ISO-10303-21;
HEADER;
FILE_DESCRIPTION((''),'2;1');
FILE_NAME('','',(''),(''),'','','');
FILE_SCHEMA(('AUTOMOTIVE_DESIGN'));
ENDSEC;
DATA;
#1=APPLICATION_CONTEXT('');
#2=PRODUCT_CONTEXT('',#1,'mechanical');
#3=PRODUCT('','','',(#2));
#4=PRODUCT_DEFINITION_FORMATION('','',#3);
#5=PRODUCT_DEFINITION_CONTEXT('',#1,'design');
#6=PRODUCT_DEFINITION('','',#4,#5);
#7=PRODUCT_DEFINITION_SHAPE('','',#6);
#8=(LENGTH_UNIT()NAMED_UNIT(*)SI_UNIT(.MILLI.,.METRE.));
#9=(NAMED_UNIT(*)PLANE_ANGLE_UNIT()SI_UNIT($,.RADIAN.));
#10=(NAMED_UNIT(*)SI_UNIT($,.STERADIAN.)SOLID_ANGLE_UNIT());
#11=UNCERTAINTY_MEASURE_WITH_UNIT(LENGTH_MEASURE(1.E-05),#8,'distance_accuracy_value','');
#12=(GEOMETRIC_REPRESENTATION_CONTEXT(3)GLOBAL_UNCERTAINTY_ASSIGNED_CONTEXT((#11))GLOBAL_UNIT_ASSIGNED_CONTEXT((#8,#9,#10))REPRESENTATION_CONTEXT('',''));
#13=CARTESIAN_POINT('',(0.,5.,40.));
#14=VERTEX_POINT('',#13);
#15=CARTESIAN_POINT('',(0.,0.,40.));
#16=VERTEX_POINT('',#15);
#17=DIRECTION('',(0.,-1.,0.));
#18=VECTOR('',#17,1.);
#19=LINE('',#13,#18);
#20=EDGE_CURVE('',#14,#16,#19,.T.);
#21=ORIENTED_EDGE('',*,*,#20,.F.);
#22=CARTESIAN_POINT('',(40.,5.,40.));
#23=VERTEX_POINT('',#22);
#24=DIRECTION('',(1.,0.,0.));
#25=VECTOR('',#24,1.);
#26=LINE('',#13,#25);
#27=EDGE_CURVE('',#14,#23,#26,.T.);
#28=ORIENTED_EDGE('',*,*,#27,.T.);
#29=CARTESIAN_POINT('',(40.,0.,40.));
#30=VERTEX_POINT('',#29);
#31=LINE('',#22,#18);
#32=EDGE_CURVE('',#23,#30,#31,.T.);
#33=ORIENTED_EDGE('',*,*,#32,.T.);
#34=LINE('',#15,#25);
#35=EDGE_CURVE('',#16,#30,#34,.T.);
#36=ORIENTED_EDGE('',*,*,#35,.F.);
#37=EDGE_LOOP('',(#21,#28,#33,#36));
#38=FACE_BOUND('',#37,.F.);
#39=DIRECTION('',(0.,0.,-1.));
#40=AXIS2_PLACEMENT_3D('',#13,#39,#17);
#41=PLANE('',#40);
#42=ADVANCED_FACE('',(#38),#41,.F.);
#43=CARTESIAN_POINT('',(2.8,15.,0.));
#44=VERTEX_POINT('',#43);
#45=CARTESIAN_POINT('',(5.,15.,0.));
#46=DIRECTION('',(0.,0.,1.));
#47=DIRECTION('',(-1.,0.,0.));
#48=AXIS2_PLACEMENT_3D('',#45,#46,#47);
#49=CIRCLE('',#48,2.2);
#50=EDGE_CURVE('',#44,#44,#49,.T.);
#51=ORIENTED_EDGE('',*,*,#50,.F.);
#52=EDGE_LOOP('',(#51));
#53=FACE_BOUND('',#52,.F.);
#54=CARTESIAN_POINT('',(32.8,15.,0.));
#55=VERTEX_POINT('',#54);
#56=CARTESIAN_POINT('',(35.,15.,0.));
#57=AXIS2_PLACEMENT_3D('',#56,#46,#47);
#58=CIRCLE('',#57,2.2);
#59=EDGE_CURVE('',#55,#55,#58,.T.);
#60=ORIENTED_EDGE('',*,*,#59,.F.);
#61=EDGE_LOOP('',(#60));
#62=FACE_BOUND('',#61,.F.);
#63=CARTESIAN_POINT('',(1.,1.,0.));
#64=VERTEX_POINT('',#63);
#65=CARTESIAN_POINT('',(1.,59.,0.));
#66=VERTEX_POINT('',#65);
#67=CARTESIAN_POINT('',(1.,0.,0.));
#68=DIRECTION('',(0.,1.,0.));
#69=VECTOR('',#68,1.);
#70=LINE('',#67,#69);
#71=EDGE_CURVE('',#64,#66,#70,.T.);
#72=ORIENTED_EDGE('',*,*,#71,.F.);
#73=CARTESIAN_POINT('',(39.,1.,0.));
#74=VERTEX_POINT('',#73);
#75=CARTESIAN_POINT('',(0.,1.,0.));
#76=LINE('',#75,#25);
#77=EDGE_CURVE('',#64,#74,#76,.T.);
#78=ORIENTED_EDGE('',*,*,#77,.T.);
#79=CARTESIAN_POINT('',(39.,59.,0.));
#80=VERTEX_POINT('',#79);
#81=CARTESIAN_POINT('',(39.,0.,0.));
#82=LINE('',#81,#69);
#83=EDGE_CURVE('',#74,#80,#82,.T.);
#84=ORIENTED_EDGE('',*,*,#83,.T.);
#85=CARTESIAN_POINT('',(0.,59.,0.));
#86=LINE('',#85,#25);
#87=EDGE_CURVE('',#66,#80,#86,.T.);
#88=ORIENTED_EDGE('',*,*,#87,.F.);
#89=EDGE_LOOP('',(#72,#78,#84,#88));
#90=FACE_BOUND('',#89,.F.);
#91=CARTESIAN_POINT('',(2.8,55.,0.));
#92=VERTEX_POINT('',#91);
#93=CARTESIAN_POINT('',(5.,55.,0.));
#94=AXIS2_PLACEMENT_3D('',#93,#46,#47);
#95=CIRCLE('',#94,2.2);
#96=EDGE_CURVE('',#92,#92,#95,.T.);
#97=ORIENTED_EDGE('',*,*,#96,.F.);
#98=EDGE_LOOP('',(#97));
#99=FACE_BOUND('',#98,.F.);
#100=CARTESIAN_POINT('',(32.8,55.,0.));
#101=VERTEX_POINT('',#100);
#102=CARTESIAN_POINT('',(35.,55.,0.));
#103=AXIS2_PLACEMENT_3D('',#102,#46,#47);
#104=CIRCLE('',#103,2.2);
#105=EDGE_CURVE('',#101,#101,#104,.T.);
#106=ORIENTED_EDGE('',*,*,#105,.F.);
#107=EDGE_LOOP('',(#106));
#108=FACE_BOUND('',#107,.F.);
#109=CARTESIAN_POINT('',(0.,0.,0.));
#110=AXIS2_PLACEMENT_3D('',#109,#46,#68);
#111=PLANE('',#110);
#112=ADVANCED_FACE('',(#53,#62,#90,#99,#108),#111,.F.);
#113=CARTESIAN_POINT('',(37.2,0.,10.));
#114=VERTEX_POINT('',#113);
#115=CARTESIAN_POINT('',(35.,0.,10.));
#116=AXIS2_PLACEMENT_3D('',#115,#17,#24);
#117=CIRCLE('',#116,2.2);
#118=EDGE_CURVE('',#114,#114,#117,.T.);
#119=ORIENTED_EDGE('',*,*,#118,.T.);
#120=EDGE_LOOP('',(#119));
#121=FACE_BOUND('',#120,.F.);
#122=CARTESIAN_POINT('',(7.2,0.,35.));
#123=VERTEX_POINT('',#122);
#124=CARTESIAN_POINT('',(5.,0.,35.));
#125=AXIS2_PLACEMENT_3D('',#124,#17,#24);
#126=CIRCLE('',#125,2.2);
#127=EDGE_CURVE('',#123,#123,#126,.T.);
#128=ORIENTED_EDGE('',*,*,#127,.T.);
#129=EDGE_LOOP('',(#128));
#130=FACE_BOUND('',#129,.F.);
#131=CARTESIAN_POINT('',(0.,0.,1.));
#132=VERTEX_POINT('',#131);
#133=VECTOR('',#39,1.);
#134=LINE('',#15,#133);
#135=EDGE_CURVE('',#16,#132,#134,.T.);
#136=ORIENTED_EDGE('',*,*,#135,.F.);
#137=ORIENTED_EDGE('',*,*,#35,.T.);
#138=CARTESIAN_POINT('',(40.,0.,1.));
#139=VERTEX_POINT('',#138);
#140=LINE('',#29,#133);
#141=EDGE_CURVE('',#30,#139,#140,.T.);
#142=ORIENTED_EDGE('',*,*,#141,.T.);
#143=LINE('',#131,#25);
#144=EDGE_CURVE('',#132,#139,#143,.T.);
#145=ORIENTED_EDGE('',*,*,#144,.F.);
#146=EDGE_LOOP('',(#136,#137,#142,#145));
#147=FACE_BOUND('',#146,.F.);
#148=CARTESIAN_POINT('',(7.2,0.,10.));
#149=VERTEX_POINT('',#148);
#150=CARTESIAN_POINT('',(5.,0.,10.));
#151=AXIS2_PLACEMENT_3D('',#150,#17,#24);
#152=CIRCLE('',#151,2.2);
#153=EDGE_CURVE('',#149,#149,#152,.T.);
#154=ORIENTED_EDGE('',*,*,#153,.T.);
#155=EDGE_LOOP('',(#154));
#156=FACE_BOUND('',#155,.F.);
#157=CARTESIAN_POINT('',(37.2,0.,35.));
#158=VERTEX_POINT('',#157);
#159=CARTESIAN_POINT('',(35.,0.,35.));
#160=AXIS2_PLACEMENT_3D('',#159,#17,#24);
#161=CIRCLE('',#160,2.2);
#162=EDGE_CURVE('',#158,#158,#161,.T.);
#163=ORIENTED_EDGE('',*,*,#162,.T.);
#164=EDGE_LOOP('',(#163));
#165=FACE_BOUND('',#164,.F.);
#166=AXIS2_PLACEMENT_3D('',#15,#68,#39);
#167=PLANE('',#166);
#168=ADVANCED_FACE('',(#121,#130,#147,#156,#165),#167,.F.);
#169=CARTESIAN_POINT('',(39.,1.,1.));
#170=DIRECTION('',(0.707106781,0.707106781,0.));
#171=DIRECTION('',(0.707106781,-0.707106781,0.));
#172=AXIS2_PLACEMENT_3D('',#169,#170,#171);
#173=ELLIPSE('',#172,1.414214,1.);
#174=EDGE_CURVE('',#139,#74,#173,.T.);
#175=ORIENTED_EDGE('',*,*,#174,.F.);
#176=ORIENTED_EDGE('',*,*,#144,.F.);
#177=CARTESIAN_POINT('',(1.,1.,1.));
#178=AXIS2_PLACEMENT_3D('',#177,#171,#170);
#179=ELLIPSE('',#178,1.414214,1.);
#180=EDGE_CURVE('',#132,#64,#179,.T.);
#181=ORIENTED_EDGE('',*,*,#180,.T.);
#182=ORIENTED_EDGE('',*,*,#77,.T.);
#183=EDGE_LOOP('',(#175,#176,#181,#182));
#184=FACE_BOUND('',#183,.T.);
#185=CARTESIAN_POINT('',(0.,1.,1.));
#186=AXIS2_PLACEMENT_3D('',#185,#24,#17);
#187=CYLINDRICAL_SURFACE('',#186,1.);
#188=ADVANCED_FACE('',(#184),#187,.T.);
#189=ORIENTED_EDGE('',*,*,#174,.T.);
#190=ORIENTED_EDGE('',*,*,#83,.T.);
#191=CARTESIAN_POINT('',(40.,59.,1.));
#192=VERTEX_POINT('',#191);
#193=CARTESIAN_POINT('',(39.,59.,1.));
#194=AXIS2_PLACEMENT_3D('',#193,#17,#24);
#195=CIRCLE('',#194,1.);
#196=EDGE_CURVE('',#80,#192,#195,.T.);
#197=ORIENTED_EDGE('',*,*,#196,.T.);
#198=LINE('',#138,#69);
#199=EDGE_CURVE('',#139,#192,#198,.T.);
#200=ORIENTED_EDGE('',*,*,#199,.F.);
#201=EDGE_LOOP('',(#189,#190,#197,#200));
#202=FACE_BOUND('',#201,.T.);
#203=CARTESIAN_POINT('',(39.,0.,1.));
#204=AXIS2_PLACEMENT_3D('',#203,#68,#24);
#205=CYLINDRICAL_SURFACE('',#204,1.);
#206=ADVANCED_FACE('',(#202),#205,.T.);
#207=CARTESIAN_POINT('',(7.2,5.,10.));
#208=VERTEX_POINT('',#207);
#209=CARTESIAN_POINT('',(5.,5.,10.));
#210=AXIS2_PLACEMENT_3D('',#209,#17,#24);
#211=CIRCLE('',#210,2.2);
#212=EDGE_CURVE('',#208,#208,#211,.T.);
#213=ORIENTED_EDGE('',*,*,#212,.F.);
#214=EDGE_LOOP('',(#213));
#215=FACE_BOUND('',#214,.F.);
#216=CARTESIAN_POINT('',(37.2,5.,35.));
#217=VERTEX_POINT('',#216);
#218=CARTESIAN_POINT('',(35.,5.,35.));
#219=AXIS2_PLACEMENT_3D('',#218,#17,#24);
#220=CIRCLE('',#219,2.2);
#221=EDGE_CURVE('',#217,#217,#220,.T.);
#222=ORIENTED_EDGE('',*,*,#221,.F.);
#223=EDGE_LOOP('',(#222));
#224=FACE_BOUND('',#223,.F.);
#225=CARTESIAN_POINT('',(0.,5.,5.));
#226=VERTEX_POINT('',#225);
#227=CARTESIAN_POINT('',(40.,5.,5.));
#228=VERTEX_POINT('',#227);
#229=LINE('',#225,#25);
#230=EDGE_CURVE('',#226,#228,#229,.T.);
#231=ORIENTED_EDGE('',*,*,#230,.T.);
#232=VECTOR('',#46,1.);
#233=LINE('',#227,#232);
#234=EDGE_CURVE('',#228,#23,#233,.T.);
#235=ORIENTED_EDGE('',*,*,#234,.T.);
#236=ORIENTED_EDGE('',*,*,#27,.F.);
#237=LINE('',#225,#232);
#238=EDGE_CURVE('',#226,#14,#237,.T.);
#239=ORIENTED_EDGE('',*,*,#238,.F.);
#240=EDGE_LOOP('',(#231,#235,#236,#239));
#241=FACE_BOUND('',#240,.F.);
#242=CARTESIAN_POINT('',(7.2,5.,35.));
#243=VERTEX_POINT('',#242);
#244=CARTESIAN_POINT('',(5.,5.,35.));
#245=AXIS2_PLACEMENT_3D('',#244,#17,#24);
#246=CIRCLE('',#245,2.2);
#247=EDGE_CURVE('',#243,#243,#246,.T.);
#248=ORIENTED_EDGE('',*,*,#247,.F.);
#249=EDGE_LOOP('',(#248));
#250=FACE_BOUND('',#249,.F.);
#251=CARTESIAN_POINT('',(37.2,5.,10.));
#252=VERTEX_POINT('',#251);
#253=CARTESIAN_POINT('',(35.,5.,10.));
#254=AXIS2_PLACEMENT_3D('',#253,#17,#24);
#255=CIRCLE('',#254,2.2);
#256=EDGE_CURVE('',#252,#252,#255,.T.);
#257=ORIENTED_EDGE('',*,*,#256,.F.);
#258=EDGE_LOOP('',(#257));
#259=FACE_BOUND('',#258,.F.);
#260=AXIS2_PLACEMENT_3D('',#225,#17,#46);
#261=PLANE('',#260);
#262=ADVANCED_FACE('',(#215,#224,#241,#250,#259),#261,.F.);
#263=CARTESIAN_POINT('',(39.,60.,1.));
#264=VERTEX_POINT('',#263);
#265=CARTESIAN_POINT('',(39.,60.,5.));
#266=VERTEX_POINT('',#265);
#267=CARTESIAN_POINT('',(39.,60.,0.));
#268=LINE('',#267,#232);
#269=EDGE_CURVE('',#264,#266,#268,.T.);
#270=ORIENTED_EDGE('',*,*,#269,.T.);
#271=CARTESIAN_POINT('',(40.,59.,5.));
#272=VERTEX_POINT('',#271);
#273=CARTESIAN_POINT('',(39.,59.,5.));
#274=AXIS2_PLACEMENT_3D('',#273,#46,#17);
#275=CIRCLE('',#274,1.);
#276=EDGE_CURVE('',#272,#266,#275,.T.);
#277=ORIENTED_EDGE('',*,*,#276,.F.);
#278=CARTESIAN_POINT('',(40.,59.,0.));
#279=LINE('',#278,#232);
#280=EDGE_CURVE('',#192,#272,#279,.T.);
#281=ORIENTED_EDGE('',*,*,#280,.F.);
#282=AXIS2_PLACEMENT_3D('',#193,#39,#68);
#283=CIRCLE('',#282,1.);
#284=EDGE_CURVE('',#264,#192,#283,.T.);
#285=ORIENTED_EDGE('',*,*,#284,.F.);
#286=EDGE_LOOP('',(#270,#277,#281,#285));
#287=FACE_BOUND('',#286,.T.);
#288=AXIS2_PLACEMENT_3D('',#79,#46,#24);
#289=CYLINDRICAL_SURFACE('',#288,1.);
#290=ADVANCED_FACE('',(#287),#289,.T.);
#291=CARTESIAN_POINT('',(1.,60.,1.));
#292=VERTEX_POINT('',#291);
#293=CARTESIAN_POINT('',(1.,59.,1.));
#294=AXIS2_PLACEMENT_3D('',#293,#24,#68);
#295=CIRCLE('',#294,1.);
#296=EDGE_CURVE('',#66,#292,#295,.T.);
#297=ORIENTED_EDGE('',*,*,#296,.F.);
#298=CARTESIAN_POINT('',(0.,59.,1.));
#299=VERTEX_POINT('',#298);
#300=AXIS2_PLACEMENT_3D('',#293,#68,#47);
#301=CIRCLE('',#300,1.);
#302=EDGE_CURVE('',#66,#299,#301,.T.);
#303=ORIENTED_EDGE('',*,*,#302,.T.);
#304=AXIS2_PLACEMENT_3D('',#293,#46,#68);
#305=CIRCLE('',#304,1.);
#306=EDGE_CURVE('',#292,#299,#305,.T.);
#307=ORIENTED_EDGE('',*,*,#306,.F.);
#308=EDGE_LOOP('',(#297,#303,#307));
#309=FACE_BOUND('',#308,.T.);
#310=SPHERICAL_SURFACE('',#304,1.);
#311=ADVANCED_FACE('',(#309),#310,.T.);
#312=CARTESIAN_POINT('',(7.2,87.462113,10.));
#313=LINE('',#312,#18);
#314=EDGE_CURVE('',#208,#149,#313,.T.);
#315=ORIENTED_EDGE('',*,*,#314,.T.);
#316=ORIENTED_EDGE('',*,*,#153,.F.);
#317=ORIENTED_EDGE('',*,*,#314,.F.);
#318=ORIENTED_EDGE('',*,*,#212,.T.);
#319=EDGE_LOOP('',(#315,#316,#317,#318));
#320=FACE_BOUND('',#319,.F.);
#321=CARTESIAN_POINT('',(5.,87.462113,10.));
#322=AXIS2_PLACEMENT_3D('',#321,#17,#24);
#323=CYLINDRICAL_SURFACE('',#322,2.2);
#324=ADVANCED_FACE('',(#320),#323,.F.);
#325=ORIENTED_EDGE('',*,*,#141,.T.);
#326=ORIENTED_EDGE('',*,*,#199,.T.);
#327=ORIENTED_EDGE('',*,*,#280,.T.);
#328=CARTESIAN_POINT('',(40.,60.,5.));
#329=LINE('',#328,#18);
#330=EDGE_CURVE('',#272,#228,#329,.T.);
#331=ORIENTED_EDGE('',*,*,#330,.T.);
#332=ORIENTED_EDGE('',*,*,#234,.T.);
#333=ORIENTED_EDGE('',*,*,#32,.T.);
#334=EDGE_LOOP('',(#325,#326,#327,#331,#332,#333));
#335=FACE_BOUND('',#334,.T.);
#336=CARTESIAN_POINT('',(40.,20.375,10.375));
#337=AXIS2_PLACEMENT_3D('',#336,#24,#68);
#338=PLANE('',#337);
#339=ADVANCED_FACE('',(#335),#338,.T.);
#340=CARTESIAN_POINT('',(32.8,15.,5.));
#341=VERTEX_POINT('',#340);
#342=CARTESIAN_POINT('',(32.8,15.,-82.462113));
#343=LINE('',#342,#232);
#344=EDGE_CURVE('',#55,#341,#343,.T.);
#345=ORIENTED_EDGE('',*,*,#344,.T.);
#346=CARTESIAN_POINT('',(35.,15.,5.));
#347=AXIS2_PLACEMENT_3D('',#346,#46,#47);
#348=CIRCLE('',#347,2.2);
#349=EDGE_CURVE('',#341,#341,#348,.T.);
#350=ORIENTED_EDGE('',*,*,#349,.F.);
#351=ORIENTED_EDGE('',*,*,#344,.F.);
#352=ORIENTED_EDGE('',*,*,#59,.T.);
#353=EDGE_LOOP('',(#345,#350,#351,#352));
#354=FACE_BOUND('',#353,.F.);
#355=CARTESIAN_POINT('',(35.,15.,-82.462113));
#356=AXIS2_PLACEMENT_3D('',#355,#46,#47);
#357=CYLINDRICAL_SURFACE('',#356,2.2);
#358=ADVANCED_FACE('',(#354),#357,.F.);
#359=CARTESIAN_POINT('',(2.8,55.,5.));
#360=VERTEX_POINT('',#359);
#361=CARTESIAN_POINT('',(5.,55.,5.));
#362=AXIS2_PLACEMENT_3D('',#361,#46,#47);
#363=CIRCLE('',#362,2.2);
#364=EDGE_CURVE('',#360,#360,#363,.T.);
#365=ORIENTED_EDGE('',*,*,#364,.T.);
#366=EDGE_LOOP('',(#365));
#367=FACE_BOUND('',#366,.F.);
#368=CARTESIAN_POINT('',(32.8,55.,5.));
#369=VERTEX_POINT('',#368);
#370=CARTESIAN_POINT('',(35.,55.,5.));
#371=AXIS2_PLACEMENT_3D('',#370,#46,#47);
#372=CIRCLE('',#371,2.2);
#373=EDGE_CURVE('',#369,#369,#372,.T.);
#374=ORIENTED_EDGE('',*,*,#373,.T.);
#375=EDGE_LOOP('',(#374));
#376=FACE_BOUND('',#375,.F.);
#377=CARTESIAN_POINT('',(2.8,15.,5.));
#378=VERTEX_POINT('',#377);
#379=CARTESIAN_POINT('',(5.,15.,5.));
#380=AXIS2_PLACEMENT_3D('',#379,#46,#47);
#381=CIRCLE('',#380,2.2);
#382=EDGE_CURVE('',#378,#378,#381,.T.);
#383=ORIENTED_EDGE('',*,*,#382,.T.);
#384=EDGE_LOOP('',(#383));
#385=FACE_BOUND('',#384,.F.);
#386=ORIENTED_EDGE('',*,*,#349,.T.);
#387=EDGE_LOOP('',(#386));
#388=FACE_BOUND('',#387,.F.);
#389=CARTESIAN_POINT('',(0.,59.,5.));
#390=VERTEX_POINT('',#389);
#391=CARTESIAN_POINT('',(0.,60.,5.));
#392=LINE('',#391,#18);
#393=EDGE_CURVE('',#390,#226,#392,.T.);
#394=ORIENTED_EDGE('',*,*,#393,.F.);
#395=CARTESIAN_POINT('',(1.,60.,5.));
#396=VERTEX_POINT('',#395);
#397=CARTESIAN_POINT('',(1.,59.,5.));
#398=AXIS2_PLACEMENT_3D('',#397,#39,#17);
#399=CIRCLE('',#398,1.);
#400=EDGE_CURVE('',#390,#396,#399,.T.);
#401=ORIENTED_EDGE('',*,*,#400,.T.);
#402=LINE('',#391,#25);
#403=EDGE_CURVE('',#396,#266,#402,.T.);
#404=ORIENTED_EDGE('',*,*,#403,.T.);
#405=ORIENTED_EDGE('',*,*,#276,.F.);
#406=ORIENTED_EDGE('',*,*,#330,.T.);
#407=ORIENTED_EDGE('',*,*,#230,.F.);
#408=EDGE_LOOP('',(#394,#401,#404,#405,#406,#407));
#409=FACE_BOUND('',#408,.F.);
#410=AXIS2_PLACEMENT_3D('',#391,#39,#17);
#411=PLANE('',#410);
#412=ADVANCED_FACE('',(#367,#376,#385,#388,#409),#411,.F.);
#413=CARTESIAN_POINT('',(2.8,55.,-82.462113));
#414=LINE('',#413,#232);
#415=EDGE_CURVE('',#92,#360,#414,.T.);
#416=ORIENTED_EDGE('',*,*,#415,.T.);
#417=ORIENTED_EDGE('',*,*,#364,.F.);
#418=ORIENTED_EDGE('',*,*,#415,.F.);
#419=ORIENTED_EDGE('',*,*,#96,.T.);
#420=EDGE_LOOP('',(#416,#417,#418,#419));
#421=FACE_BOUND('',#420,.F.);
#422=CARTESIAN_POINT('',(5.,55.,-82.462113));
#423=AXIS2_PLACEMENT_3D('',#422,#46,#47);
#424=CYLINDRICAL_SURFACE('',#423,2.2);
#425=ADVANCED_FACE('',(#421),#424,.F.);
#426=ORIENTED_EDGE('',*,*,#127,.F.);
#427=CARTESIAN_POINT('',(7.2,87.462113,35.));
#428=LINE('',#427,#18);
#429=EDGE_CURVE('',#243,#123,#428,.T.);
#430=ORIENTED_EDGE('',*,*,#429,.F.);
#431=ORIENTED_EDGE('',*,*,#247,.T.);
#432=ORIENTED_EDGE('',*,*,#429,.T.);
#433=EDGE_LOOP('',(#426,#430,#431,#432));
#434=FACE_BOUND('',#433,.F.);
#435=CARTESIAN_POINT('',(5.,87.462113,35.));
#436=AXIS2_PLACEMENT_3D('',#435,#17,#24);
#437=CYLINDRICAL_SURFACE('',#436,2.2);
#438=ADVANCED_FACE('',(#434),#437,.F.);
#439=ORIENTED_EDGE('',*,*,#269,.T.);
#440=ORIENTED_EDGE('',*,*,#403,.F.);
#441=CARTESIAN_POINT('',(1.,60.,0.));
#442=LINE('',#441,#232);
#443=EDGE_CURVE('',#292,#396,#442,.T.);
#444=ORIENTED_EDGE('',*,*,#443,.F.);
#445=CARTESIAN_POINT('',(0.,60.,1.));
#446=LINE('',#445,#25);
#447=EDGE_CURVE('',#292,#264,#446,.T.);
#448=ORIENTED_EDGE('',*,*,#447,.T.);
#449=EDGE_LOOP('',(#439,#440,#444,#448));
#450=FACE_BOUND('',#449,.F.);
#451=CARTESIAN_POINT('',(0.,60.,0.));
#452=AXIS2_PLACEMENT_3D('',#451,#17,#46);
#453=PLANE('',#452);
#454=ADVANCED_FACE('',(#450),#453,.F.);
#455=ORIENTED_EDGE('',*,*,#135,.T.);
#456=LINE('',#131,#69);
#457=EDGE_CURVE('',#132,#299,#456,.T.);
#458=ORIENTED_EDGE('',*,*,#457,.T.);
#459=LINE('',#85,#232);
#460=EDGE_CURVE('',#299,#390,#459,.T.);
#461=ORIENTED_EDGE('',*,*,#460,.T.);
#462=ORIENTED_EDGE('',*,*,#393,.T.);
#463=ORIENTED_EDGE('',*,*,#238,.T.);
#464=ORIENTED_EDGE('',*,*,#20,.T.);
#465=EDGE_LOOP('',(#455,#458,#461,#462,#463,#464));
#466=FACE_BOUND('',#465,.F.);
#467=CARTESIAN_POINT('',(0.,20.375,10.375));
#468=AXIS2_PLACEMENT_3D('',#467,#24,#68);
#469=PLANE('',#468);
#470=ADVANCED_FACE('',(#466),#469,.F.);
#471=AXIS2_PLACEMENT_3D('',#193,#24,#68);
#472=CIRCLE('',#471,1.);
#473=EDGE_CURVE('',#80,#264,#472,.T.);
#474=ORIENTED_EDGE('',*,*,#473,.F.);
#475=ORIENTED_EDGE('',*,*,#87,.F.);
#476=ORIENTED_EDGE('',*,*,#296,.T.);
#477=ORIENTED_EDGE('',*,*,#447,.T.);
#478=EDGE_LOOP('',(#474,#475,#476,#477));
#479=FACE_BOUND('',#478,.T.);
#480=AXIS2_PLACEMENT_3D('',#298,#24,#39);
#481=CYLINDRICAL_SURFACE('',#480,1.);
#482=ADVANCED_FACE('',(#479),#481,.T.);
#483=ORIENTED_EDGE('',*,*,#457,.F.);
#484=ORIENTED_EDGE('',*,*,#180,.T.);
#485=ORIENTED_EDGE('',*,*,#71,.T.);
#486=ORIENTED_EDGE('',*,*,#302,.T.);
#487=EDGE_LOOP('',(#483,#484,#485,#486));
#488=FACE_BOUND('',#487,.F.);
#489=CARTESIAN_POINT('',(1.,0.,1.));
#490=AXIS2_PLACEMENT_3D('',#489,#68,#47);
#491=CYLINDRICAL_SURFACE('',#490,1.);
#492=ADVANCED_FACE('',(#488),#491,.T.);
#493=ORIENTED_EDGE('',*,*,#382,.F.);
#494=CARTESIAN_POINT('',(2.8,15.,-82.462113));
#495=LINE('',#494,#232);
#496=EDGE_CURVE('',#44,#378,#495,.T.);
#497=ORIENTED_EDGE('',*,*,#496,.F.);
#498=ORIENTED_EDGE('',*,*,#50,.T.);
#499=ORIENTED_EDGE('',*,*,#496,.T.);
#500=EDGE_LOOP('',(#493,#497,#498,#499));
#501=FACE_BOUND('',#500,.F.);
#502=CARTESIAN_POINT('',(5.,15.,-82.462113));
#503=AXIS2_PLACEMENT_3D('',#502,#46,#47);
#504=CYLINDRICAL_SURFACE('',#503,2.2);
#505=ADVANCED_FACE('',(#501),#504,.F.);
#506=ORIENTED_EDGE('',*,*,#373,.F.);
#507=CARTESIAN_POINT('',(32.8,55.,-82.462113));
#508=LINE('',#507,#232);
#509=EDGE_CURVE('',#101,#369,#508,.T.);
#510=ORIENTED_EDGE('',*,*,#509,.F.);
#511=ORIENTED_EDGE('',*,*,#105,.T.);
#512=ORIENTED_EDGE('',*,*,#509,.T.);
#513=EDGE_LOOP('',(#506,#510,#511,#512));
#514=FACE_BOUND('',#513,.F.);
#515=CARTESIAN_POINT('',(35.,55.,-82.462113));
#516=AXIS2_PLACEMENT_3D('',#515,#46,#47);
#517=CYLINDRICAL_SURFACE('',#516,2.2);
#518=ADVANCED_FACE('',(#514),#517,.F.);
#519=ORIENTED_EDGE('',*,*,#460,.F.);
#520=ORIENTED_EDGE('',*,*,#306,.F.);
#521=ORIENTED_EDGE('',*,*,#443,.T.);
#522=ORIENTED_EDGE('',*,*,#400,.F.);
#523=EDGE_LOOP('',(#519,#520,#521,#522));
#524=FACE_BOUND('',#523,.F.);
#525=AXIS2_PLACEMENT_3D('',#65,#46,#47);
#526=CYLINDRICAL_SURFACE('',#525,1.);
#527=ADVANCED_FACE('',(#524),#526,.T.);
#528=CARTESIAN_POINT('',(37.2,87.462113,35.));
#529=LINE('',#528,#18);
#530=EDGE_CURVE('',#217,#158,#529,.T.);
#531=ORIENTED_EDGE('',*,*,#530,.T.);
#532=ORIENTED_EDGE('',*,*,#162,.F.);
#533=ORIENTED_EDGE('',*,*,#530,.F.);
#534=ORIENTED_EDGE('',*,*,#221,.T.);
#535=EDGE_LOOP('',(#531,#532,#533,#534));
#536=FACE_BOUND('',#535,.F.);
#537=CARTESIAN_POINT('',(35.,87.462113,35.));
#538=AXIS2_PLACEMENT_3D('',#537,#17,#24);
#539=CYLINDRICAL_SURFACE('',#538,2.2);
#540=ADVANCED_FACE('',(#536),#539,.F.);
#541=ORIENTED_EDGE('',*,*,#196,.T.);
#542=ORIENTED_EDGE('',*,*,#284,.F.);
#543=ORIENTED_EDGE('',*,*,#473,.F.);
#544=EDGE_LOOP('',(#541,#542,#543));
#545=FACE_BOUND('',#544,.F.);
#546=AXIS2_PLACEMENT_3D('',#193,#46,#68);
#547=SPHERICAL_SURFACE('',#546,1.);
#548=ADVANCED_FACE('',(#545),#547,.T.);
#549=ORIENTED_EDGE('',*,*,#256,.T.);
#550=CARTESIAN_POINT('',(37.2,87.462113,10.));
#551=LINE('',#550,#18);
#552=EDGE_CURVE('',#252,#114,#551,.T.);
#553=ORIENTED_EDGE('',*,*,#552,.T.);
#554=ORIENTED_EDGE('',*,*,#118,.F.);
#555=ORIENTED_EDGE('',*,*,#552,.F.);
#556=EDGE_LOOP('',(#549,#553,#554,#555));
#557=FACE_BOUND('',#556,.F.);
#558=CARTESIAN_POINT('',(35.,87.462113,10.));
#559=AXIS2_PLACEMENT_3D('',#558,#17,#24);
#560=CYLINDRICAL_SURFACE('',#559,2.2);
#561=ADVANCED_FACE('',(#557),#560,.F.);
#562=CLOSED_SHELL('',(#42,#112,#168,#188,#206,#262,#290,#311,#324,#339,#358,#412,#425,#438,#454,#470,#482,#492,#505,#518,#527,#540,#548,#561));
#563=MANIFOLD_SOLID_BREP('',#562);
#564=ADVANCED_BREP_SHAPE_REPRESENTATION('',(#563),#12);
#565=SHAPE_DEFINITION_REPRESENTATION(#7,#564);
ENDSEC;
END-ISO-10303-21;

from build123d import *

# Parameters (mm, degrees)
F1_DEPTH = 40
F3_D     = 4.4
F5_D     = 4.4
F6_R     = 1


with BuildPart() as f1:
    # F0 (on Right) → F1 (new body)
    with BuildSketch(Plane.YZ):
        Polygon((5, 40), (0, 40), (0, 0), (60, 0), (60, 5), (5, 5), align=None)
    extrude(amount=F1_DEPTH)

    # F3 (through all)
    with Locations(Plane(origin=(0, 5, 0), x_dir=(-1, 0, 0), z_dir=(0, 1, 0))):
        with Locations((-35, 35), (-5, 35), (-5, 10), (-35, 10)):
            Hole(F3_D / 2)

    # F5 (through all)
    with Locations(Plane(origin=(0, 0, 0), x_dir=(1, 0, 0), z_dir=(0, 0, -1))):
        with Locations((35, -55), (5, -55), (5, -15), (35, -15)):
            Hole(F5_D / 2)

    # F6
    f6_edges = [f1.edges().sort_by_distance(p)[0] for p in [
        (40, 60, 2.5),
        (0, 60, 2.5),
        (20, 60, 0),
        (0, 30, 0),
        (20, 0, 0),
        (40, 30, 0),
    ]]
    fillet(f6_edges, radius=F6_R)


solid = f1.part
